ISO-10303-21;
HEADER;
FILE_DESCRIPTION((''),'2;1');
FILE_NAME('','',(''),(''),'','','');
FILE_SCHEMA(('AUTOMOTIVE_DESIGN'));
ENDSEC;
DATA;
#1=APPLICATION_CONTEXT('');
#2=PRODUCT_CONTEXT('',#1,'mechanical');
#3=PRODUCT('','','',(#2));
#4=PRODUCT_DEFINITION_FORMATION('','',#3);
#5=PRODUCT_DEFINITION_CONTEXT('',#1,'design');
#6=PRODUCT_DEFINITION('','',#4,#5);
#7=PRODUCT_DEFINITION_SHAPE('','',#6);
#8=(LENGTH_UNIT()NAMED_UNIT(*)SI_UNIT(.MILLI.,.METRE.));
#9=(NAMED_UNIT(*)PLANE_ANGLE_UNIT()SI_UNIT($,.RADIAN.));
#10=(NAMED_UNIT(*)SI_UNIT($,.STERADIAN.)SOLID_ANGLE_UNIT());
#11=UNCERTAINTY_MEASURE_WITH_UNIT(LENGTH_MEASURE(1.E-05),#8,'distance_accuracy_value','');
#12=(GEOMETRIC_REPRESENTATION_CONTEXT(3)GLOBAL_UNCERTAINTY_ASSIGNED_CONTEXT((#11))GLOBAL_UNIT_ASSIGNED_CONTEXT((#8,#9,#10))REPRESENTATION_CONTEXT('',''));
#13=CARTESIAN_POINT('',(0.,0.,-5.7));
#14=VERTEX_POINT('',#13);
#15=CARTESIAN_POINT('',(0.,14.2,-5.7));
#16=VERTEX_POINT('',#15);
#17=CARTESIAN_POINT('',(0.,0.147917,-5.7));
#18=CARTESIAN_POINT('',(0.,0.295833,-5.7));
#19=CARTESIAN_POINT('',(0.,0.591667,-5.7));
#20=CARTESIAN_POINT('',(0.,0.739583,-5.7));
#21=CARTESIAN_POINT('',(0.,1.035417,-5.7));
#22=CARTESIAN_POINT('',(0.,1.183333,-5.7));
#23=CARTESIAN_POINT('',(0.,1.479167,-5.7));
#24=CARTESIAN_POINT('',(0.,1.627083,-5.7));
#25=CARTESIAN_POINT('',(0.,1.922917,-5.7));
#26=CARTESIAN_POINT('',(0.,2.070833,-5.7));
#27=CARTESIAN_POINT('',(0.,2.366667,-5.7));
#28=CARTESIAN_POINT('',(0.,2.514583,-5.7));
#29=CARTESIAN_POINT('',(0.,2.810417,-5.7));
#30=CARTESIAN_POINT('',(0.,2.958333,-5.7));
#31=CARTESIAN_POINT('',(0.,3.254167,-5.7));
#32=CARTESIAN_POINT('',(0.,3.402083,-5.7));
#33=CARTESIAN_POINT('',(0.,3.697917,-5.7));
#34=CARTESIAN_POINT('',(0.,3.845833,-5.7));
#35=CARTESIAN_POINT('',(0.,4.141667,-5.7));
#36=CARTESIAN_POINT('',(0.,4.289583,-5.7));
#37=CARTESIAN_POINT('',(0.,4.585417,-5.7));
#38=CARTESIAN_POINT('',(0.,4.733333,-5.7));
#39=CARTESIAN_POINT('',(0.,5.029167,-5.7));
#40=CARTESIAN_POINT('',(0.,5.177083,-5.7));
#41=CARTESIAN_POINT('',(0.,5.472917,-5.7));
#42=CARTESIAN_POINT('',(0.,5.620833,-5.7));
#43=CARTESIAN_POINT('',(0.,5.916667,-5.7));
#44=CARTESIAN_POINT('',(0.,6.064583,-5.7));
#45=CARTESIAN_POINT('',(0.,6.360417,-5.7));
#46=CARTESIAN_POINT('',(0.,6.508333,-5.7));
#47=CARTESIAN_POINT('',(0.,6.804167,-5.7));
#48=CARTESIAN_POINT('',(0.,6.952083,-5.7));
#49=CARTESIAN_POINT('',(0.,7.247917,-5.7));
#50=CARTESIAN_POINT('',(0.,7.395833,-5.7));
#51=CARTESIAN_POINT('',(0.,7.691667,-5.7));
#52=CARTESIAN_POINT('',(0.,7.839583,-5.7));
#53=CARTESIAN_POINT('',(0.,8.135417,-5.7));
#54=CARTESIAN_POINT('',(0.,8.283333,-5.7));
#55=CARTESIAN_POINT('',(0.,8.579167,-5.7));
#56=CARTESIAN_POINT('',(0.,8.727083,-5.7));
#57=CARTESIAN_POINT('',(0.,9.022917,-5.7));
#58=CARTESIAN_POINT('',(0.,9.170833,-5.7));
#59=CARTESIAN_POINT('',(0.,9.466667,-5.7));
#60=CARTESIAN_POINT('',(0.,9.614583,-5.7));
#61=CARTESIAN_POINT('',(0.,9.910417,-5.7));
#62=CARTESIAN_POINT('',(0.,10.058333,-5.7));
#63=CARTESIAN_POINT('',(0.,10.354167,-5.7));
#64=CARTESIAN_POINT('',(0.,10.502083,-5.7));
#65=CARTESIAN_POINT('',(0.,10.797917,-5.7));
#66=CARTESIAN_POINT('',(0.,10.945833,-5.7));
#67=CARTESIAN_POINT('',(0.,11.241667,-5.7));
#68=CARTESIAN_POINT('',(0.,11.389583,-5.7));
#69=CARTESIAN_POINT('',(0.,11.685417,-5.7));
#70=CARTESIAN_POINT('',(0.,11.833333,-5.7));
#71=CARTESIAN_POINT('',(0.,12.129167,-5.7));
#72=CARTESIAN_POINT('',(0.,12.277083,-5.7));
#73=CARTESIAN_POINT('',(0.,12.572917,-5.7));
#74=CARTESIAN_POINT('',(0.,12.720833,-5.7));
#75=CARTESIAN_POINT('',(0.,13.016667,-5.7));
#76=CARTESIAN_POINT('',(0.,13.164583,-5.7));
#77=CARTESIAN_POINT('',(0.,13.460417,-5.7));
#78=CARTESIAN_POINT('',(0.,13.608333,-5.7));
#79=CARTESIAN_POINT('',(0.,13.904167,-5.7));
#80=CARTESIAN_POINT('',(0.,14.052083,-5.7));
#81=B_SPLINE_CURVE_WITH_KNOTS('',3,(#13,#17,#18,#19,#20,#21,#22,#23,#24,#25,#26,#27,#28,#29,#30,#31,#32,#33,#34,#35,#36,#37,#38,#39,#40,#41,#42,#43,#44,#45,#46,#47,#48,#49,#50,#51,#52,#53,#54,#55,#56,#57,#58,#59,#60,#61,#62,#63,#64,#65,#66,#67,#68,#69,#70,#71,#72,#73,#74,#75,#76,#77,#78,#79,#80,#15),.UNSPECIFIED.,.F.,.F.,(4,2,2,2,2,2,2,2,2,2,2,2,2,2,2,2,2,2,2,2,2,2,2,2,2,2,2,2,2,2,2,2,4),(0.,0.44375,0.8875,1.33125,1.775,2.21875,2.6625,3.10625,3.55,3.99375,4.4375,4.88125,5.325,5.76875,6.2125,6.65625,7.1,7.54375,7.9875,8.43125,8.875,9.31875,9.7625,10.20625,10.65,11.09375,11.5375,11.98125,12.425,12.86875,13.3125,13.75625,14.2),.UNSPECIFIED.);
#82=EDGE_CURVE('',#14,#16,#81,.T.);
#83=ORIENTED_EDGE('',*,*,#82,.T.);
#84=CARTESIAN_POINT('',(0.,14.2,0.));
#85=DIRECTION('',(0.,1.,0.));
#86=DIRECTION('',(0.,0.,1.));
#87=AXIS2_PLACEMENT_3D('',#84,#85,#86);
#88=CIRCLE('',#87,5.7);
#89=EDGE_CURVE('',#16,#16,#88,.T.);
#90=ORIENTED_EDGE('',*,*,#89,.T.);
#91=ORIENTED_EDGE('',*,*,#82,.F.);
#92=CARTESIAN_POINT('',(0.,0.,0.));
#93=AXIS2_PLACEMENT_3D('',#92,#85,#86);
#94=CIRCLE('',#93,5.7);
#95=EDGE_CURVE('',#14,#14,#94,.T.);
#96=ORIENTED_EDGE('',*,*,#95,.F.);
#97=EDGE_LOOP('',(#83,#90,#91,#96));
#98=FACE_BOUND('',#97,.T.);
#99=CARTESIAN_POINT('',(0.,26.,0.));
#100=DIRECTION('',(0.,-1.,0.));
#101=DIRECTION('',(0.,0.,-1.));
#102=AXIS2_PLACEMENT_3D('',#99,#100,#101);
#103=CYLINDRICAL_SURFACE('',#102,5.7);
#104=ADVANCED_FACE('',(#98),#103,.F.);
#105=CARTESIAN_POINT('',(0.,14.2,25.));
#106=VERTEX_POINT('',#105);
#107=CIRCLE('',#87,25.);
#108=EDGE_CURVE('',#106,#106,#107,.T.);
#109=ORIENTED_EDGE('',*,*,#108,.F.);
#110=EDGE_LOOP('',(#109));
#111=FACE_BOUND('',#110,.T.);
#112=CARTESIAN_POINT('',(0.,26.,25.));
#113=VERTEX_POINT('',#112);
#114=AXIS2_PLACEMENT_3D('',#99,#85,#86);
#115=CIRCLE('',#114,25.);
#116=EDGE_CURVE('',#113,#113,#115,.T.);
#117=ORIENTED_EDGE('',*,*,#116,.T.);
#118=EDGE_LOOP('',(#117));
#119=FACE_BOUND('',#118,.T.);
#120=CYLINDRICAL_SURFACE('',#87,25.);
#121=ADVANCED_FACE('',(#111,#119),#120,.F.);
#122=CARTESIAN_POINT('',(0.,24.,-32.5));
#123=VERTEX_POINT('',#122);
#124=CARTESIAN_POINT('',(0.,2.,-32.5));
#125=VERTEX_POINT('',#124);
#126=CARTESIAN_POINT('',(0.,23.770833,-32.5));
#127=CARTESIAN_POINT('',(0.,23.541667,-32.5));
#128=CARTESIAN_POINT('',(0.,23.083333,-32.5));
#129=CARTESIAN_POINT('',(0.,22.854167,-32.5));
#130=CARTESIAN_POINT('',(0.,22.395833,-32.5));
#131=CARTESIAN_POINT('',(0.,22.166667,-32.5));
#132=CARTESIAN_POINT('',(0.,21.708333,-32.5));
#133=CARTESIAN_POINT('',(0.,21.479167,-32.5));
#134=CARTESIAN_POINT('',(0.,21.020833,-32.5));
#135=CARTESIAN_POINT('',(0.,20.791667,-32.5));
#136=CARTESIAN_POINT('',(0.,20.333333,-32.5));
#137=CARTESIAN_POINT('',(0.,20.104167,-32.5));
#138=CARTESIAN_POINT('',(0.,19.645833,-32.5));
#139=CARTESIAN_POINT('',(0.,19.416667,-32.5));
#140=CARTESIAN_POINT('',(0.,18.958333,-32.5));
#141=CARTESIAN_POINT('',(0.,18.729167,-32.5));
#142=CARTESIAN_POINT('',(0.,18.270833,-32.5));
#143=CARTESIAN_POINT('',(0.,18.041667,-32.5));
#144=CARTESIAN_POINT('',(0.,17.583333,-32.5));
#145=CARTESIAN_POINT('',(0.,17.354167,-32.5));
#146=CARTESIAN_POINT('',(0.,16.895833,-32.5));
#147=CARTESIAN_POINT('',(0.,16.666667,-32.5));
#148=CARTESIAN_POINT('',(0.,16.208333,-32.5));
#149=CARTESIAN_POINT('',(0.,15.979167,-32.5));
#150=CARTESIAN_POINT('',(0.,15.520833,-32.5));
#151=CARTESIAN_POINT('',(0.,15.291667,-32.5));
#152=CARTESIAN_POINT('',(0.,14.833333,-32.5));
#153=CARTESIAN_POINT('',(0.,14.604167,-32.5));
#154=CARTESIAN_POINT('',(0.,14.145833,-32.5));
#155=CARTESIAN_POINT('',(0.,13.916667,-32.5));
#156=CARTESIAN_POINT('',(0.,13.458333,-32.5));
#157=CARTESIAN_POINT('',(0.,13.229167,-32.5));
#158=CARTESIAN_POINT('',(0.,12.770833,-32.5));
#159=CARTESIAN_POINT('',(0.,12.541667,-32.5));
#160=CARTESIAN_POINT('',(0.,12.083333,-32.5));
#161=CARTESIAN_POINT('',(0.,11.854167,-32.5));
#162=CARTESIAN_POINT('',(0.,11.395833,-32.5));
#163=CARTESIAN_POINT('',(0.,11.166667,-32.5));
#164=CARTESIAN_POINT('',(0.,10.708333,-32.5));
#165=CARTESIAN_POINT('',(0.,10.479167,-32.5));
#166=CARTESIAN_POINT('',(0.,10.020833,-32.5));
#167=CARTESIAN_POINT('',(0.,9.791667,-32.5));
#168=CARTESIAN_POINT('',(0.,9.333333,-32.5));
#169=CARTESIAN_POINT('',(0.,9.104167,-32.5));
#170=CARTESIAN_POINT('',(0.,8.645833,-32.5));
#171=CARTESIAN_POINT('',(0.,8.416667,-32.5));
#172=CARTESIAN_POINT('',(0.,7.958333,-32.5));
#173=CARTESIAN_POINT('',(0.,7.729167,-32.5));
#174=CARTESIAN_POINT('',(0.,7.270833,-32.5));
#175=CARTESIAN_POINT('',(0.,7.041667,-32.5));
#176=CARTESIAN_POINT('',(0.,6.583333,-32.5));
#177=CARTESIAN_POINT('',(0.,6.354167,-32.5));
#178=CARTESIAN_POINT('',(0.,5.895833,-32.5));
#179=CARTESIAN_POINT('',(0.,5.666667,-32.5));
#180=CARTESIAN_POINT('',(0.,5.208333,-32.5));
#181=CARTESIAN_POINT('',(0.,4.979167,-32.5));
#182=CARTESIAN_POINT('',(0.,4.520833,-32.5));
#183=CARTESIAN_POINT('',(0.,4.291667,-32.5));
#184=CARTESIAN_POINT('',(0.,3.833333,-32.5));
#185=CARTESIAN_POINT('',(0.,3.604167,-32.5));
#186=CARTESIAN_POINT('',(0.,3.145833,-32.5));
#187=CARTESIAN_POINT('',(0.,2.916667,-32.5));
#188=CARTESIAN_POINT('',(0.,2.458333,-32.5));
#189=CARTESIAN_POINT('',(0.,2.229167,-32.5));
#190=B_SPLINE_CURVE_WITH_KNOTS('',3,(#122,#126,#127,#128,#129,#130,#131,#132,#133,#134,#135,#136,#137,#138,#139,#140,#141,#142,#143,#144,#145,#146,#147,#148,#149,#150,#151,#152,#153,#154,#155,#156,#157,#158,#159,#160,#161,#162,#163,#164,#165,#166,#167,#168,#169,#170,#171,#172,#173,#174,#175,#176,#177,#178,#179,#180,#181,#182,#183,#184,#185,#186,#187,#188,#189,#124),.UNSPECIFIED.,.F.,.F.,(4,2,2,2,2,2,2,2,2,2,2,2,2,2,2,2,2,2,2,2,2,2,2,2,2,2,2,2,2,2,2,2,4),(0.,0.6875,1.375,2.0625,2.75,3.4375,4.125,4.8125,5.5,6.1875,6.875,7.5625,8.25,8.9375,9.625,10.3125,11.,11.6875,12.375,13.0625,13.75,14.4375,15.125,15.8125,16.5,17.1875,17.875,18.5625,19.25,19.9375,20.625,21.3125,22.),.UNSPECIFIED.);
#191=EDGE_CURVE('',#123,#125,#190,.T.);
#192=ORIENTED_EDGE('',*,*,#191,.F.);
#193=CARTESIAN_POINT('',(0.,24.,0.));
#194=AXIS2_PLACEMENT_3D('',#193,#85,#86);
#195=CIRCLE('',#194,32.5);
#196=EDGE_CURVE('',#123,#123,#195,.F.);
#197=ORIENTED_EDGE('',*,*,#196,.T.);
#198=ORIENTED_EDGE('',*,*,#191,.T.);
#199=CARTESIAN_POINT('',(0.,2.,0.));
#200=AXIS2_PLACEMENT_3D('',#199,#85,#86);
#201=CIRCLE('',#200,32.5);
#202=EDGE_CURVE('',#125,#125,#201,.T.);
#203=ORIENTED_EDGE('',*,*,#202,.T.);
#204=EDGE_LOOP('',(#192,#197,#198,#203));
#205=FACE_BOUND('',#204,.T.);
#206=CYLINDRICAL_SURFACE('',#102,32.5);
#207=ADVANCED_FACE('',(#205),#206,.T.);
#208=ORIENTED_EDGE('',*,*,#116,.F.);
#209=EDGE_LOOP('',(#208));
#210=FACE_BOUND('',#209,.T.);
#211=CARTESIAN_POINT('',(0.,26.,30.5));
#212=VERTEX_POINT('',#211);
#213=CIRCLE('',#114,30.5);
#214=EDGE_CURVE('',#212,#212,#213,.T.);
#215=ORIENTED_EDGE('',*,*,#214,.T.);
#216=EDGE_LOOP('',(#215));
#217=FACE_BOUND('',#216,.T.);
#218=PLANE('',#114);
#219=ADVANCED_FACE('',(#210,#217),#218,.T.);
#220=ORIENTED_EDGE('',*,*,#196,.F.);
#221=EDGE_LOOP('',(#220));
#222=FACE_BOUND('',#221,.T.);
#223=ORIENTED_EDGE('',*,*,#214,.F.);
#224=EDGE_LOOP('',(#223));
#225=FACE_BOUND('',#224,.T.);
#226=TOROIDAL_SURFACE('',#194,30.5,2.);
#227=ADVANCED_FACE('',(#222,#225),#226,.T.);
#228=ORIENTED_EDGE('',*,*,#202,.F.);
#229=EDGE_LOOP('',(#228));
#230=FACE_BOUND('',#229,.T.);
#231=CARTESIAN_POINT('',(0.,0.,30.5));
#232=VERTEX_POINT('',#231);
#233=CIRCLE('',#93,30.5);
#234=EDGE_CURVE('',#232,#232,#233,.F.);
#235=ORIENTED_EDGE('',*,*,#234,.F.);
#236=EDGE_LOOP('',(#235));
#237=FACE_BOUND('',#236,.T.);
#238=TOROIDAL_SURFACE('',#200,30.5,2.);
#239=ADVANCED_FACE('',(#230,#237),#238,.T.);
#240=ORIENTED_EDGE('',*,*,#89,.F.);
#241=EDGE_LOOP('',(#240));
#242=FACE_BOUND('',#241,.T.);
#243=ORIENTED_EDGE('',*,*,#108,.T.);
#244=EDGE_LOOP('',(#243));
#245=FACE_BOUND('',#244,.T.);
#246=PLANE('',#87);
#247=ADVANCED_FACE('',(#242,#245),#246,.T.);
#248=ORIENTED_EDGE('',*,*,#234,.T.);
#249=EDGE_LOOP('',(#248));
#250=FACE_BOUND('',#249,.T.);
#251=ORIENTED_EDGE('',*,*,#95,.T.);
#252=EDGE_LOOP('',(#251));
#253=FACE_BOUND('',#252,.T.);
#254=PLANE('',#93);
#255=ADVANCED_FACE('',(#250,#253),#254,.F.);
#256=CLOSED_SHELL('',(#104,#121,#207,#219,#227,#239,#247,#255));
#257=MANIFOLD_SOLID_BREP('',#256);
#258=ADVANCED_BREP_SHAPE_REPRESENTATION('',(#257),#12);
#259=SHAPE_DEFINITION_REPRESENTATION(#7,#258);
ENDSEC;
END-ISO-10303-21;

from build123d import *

# Parameters (mm, degrees)
SKETCH_1_R          = 32.5
SKETCH_1_R_2        = 5.7
EXTRUDE_1_DEPTH     = 26
SKETCH_2_R          = 25
CUT_EXTRUDE_1_DEPTH = 11.8
FILLET_1_R          = 2


with BuildPart() as part:
    # 草图1 → 凸台-拉伸1 (new body)
    with BuildSketch(Plane(origin=(0, 0, 0), x_dir=(1, 0, 0), z_dir=(0, 1, 0))):
        with Locations(Location((0, 0, 0), (0, 0, 90))):
            Circle(SKETCH_1_R)
        with Locations(Location((0, 0, 0), (0, 0, 90))):
            Circle(SKETCH_1_R_2, mode=Mode.SUBTRACT)
    extrude(amount=EXTRUDE_1_DEPTH)

    # 草图2 → 切除-拉伸1 (cut)
    with BuildSketch(Plane(origin=(0, 26, 0), x_dir=(1, 0, 0), z_dir=(0, 1, 0))):
        with Locations(Location((0, 0, 0), (0, 0, 270))):
            Circle(SKETCH_2_R)
    extrude(amount=-CUT_EXTRUDE_1_DEPTH, mode=Mode.SUBTRACT)

    # 圆角1
    fillet_1_edges = [part.edges().sort_by_distance(p)[0] for p in [
        (0, 0, 32.5),
        (0, 26, 32.5),
    ]]
    fillet(fillet_1_edges, radius=FILLET_1_R)


solid = part.part
